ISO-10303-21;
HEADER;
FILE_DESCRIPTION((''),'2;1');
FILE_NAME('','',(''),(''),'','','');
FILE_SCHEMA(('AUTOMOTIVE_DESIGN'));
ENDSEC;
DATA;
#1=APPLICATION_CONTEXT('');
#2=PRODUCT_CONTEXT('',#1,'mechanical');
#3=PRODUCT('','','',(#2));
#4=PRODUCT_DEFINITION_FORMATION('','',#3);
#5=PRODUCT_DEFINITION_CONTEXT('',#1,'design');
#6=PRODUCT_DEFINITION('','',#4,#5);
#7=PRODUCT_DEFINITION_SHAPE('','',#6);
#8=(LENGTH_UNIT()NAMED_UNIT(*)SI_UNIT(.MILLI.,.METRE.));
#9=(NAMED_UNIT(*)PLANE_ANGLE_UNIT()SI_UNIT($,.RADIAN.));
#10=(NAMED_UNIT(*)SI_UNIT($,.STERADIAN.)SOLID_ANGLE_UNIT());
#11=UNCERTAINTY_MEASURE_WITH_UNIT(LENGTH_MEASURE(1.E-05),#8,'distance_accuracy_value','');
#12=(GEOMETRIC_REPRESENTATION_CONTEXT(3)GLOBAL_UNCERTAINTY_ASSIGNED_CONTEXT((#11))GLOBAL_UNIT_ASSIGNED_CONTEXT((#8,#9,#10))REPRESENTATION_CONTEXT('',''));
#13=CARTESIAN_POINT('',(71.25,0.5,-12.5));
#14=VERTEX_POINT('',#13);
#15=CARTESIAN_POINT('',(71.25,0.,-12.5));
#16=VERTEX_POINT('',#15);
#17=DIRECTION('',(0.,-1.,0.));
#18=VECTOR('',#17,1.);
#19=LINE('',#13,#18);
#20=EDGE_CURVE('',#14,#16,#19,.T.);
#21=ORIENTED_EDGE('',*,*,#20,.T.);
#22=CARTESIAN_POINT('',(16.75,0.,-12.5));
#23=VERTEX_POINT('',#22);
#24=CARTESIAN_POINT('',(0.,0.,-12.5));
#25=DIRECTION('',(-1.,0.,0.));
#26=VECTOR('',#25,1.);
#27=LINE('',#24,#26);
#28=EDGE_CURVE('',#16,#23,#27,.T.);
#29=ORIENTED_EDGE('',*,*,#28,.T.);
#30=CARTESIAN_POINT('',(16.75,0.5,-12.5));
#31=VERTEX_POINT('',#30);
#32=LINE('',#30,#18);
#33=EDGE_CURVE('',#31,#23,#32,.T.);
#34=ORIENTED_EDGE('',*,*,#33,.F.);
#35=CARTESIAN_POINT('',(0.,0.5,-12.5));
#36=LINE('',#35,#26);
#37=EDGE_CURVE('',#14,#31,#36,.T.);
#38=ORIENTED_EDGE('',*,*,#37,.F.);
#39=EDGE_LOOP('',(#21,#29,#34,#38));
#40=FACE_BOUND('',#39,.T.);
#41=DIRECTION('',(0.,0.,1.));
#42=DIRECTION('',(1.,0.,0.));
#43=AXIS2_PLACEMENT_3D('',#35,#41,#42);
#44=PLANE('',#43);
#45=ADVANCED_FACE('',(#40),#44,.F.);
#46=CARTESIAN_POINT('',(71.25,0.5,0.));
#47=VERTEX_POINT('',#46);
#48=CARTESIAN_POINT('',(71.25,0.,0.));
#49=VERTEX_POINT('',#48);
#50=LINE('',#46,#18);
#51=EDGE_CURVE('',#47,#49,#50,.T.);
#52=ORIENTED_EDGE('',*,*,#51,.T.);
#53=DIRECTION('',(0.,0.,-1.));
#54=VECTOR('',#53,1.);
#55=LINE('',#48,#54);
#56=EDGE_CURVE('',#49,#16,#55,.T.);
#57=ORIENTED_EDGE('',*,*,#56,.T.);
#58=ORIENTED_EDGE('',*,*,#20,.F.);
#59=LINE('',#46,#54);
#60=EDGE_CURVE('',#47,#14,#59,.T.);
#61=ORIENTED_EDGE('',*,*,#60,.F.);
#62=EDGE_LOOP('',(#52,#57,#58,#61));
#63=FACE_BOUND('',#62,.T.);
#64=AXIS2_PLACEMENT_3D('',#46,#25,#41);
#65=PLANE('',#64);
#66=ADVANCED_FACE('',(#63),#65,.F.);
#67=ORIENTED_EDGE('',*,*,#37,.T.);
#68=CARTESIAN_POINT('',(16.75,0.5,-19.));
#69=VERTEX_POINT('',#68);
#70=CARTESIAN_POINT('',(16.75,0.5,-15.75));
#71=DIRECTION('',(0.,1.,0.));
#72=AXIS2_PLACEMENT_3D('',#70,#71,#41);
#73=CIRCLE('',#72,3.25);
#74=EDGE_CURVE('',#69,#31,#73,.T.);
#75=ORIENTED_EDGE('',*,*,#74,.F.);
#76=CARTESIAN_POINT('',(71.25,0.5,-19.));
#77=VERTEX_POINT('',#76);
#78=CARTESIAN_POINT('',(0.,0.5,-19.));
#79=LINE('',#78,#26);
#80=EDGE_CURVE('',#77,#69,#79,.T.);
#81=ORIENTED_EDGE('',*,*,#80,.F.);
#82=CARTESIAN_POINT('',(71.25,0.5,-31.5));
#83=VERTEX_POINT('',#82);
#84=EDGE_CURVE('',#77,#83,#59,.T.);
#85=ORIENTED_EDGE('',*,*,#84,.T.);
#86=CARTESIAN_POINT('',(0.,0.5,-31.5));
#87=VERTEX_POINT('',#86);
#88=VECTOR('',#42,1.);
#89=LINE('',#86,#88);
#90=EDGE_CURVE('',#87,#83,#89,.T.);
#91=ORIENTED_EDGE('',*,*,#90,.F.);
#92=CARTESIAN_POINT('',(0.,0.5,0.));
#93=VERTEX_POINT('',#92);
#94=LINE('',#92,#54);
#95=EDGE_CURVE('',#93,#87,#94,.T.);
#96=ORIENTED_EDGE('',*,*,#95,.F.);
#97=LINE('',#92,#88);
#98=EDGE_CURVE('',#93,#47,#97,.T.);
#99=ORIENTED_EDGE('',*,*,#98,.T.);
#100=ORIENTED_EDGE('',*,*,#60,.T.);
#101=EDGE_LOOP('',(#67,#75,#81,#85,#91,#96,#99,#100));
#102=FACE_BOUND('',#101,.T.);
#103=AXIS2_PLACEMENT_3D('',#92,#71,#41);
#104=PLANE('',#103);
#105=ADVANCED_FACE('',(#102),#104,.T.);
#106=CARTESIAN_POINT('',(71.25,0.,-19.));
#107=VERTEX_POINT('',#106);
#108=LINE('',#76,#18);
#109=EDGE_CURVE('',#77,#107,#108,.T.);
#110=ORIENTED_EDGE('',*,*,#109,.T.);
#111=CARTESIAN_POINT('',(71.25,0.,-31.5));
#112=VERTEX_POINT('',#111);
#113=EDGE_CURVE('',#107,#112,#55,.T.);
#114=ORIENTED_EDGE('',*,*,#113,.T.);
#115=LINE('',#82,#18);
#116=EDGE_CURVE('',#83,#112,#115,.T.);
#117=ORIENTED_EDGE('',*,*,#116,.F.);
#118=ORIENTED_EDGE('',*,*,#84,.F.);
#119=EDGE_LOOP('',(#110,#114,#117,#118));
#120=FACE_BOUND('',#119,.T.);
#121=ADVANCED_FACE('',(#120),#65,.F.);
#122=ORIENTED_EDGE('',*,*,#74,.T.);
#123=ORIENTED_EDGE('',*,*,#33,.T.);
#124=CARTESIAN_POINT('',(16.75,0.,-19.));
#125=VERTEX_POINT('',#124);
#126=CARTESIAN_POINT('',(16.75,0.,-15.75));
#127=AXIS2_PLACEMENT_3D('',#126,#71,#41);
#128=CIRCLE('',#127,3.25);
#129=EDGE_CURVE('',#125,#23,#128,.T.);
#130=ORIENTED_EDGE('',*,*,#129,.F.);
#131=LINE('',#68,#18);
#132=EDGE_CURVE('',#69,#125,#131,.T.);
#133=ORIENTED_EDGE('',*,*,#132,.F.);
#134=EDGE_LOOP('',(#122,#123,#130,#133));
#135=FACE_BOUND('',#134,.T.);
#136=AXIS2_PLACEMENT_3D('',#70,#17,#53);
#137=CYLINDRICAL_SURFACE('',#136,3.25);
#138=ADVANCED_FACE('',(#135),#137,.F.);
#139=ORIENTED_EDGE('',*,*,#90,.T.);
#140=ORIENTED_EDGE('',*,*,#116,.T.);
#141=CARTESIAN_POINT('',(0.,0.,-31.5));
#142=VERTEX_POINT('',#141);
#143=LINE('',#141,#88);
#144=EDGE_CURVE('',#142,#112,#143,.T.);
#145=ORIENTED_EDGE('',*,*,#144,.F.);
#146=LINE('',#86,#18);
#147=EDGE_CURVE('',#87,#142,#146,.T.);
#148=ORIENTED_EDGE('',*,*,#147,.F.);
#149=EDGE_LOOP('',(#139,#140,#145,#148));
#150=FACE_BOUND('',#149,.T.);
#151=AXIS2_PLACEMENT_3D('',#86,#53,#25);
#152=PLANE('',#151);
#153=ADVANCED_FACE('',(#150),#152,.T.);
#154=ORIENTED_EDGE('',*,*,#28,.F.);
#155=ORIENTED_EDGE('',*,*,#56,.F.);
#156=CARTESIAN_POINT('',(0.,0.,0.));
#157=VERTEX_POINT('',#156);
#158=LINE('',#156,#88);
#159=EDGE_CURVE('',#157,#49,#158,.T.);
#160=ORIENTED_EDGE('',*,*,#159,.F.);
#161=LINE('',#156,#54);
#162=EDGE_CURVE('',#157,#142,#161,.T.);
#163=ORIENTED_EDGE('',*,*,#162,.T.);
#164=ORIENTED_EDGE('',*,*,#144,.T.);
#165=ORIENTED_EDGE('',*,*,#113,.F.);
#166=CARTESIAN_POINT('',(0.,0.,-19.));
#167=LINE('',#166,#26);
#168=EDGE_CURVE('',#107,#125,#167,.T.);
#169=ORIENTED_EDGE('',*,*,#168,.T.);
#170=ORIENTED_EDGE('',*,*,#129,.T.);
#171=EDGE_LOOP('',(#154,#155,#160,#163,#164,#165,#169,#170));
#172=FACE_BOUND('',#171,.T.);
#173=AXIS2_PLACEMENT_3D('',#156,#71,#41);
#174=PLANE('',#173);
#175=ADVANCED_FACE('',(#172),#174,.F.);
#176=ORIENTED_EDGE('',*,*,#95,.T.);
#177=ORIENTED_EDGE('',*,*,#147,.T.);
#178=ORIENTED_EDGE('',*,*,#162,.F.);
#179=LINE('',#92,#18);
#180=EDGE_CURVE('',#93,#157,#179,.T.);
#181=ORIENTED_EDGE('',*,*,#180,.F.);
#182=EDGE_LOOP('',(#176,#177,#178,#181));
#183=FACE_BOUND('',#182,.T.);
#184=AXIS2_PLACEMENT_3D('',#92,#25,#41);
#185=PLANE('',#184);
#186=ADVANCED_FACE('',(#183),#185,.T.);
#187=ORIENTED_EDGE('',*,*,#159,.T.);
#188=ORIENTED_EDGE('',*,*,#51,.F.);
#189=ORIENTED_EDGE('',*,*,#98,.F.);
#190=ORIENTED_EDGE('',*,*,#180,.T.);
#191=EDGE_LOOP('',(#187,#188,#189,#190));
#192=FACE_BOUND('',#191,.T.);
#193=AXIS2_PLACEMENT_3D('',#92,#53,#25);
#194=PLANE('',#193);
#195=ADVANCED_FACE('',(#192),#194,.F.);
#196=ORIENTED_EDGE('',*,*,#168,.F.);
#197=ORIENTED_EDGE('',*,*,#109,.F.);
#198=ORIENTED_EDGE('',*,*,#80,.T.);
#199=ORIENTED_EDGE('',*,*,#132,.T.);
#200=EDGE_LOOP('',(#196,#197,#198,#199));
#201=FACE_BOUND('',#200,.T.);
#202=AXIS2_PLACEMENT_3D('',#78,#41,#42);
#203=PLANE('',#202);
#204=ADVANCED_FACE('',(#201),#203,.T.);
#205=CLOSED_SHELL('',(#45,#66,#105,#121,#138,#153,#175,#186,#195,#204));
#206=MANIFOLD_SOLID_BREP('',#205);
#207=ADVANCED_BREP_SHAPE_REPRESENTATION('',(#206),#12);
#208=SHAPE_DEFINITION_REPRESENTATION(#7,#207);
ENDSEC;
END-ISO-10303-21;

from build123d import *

# Parameters (mm, degrees)
BOSS_EXTRUDE1_DEPTH = 0.5


with BuildPart() as part:
    # Sketch1 → Boss-Extrude1 (new body)
    with BuildSketch(Plane(origin=(0, 0, 0), x_dir=(1, 0, 0), z_dir=(0, 1, 0))):
        with BuildLine():
            Line((0, 31.5), (0, 0))
            Line((0, 0), (71.25, 0))
            Line((71.25, 0), (71.25, 12.5))
            Line((71.25, 12.5), (16.75, 12.5))
            ThreePointArc((16.75, 12.5), (13.5, 15.75), (16.75, 19))
            Line((16.75, 19), (71.25, 19))
            Line((71.25, 19), (71.25, 31.5))
            Line((71.25, 31.5), (0, 31.5))
        make_face()
    extrude(amount=BOSS_EXTRUDE1_DEPTH)


solid = part.part
